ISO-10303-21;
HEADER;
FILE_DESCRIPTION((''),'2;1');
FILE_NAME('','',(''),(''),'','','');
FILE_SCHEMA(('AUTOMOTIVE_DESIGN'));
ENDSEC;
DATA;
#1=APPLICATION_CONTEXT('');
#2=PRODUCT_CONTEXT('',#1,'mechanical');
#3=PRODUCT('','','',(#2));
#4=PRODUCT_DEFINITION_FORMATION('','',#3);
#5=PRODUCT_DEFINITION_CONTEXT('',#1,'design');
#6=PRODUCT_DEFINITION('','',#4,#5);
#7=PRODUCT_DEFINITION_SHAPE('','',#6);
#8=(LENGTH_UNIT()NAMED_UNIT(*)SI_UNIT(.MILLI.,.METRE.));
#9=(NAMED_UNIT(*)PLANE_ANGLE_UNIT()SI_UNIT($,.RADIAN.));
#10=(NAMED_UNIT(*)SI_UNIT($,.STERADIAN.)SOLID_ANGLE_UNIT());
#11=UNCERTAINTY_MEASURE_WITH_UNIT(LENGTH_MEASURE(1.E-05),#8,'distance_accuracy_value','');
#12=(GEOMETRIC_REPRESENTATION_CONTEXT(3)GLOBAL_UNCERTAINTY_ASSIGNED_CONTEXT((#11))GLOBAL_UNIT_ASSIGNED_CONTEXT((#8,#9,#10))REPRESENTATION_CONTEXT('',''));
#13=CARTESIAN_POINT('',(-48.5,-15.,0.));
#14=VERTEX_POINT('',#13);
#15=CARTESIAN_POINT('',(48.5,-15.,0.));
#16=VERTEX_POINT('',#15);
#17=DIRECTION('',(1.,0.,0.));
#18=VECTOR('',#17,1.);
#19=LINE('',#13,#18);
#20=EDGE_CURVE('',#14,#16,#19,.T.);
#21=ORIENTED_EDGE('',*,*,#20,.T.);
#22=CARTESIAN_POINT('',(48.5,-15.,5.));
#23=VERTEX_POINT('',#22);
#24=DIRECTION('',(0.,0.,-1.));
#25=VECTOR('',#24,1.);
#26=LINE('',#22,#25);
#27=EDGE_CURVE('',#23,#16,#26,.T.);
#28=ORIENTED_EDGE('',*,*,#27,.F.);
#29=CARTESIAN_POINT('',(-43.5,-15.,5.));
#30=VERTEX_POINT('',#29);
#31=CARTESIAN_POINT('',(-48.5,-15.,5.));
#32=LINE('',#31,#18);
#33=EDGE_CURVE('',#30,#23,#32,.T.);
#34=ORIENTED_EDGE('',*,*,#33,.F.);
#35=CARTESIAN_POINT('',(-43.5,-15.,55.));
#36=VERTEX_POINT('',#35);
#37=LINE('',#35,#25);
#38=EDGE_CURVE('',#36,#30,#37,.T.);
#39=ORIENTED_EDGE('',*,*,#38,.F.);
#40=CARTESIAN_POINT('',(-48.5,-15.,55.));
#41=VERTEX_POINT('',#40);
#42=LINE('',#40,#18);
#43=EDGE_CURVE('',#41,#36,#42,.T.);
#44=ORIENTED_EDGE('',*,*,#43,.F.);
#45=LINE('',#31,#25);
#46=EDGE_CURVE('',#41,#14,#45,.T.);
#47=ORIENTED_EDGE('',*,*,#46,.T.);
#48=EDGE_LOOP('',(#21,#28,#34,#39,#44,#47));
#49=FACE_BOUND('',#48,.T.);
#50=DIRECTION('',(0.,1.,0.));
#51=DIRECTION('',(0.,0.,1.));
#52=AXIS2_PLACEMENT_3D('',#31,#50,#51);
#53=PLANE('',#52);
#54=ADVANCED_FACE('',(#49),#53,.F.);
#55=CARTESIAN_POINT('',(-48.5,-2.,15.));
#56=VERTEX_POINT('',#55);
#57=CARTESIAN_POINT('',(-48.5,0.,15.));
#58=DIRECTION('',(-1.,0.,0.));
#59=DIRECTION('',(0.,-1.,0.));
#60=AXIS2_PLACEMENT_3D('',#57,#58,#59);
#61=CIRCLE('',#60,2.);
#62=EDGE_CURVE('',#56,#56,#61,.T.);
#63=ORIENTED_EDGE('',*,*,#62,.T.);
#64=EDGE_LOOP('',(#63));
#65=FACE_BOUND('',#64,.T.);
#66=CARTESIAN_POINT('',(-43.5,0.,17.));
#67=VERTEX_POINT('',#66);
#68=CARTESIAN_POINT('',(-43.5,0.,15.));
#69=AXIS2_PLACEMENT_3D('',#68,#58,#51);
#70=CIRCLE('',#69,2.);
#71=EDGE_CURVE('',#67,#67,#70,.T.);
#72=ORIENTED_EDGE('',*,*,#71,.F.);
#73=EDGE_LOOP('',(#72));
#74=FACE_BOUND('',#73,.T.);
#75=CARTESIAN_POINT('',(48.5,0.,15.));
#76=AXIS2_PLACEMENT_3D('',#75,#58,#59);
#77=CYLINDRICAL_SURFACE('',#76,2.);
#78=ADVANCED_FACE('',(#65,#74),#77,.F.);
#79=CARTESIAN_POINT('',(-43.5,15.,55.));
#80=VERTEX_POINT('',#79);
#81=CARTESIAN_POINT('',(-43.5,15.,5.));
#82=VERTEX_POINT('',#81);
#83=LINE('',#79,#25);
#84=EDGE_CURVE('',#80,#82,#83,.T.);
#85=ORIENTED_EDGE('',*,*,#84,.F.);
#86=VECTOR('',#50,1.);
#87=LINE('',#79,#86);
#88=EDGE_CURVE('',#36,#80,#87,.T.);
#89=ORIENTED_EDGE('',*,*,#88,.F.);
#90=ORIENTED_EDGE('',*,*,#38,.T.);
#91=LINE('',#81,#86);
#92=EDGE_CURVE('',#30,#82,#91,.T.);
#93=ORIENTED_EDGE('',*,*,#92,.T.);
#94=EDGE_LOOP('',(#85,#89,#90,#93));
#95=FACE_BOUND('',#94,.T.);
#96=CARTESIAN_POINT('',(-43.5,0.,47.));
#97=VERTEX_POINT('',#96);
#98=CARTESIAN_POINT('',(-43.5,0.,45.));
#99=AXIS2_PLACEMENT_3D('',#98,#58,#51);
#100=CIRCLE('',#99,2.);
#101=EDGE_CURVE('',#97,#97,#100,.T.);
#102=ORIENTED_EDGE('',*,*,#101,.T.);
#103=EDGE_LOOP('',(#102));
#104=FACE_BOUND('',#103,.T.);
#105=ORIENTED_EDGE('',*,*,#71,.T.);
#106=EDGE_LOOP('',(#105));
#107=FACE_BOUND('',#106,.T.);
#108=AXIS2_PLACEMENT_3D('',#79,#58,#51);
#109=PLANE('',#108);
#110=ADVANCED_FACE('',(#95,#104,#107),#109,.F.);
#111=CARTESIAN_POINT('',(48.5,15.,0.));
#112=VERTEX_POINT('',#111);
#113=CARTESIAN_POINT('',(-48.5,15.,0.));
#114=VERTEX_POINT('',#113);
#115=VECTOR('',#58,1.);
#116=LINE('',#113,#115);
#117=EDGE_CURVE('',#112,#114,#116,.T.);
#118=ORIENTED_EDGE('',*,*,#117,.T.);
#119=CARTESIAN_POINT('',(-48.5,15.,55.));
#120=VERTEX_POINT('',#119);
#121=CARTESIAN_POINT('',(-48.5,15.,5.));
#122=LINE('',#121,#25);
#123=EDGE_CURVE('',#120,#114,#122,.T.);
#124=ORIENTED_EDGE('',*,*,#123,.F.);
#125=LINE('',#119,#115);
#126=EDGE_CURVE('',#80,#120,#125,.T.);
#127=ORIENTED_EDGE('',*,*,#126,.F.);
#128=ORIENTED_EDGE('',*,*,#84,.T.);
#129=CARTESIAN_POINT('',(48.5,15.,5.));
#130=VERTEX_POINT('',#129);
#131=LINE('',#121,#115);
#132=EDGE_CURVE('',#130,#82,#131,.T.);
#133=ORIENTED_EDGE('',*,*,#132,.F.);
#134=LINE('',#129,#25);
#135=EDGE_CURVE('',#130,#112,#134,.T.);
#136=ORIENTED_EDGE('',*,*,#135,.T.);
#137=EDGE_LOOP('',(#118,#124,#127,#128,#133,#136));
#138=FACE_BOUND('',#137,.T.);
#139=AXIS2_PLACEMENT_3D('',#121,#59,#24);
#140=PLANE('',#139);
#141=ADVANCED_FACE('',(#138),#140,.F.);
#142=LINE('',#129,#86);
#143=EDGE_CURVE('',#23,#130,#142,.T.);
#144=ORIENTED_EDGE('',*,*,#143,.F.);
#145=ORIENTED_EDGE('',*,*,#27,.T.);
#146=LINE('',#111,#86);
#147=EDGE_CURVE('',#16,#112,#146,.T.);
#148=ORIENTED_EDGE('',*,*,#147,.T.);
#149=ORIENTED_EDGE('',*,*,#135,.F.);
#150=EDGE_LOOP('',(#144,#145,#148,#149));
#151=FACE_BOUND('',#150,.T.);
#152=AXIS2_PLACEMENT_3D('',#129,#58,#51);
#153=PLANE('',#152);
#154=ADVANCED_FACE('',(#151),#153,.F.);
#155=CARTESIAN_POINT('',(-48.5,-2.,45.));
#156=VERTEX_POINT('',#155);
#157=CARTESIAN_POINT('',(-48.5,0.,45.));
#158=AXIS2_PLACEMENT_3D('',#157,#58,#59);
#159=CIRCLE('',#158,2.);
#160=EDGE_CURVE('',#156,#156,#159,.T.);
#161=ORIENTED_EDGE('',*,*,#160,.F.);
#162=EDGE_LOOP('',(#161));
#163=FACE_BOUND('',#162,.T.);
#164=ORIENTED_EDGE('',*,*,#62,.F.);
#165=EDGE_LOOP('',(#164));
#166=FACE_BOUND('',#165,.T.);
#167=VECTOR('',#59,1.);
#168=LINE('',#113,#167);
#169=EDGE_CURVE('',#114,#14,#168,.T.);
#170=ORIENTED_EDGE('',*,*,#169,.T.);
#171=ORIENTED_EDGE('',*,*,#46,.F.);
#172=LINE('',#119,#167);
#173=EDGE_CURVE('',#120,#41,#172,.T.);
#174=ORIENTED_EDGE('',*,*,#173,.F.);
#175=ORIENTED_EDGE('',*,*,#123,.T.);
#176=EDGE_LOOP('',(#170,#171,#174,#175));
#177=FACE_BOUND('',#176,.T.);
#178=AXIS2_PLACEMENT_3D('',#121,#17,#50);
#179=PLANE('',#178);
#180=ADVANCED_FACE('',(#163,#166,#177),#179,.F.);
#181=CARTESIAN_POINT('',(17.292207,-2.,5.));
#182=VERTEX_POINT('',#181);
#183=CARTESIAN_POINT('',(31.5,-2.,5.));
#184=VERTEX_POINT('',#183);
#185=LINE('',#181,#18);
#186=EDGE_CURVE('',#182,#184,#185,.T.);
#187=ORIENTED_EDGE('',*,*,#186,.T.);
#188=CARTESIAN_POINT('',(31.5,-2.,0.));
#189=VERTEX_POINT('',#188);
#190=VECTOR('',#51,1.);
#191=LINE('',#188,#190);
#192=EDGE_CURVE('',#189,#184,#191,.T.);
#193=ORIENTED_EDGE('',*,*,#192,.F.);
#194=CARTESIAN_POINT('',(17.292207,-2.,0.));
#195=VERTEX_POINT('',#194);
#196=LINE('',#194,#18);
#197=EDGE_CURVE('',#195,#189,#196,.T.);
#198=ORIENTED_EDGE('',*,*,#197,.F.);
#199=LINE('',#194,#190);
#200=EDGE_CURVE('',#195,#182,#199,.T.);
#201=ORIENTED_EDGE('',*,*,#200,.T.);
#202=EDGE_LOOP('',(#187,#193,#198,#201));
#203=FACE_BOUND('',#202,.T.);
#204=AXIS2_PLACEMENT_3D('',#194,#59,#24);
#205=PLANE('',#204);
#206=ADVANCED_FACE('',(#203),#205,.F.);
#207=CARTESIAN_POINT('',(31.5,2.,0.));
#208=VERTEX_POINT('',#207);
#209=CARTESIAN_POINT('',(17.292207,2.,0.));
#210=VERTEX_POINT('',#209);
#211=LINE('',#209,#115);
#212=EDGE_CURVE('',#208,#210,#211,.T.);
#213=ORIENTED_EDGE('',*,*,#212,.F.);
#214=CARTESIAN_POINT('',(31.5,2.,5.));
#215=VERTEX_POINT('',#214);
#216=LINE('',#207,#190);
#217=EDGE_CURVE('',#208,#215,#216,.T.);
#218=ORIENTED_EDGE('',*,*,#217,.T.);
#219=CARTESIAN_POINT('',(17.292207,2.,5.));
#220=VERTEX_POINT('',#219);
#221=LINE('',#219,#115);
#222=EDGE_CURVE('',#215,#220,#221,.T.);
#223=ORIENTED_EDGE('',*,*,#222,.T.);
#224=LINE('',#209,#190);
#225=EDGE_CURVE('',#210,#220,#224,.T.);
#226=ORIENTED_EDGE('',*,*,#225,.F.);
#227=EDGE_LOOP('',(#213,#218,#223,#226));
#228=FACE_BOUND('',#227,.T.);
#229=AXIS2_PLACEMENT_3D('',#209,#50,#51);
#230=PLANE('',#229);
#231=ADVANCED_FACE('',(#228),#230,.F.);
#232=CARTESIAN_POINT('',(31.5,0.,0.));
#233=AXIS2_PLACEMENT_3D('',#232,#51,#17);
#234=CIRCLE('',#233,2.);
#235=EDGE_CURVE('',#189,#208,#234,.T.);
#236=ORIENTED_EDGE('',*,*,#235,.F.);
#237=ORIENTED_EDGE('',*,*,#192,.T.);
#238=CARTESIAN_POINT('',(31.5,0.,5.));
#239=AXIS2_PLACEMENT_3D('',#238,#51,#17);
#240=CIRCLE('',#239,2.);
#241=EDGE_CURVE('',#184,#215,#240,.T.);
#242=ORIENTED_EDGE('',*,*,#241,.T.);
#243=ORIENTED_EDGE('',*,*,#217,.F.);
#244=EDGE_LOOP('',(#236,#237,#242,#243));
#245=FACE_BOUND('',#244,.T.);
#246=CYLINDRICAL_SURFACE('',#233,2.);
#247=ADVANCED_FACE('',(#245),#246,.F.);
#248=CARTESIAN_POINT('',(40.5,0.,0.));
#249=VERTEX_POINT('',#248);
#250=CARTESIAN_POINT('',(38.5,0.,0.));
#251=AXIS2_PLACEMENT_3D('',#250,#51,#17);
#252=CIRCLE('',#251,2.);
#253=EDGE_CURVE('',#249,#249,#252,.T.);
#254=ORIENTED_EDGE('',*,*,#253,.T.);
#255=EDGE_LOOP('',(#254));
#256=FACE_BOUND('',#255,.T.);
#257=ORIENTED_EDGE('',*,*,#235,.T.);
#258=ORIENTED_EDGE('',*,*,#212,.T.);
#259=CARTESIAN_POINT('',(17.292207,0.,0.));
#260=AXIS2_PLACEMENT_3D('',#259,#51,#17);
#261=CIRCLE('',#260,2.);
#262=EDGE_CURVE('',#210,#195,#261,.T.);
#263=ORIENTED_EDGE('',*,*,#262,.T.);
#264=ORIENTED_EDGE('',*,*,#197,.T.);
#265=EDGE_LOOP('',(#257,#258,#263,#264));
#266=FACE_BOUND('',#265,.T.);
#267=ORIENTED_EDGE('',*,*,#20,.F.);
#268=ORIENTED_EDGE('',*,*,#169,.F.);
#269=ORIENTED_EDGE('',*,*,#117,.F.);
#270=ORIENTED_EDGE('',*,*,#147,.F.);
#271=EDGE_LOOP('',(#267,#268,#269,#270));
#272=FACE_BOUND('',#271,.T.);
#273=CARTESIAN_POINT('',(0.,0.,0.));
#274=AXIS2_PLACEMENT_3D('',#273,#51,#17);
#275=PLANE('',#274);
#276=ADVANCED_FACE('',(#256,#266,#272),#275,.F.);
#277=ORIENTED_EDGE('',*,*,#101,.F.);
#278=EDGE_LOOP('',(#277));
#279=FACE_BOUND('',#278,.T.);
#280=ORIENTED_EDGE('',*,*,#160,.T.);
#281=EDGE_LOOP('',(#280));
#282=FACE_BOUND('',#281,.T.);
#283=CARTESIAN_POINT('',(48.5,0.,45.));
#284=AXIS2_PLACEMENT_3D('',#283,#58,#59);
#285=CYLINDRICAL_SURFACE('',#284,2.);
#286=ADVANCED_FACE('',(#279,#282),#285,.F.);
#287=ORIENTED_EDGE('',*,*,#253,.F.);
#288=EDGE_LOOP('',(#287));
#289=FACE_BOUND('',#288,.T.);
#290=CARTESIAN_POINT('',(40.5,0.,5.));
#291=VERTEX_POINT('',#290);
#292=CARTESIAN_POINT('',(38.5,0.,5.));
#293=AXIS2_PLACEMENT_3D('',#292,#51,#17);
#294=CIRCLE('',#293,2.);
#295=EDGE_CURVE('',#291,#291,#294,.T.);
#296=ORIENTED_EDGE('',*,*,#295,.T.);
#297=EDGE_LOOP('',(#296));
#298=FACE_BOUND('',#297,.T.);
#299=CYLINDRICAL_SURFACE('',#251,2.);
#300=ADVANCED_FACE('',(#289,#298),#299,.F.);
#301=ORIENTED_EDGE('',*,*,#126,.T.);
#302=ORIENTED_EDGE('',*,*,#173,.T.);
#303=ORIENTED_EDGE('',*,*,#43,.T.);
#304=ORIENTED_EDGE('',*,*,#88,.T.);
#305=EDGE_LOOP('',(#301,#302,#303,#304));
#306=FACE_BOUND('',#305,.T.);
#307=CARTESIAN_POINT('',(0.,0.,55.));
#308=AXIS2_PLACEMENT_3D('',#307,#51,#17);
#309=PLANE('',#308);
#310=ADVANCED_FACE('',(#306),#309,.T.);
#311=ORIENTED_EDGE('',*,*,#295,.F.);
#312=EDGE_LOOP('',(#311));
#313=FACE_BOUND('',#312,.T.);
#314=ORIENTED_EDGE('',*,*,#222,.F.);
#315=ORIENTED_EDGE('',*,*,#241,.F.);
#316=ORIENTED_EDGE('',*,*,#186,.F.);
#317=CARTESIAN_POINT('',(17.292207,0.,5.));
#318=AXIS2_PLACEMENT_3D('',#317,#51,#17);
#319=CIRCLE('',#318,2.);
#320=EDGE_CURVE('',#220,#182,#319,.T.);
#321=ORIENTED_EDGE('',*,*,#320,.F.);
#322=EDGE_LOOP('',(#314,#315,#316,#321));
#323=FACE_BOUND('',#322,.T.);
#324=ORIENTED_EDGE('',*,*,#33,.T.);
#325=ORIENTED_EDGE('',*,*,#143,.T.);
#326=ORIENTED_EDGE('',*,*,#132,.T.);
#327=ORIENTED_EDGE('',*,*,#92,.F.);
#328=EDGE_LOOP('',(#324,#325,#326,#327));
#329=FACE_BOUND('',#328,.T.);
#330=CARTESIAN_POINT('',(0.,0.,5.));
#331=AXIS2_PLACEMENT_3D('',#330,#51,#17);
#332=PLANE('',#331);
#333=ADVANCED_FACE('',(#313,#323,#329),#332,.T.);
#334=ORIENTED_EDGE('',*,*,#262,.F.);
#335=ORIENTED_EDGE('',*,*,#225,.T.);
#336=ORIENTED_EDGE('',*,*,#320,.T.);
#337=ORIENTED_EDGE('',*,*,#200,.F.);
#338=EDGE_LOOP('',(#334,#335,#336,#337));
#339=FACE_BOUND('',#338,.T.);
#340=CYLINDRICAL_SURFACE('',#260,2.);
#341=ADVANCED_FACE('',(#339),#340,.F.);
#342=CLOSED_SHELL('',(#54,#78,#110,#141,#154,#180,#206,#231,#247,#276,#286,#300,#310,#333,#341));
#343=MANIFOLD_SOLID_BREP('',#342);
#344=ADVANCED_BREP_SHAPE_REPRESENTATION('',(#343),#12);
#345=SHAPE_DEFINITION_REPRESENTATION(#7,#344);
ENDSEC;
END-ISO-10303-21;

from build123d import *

# Parameters (mm, degrees)
SKETCH1_W           = 97
SKETCH1_H           = 30
BOSS_EXTRUDE1_DEPTH = 5
SKETCH2_R           = 2
CUT_EXTRUDE1_DEPTH  = 52.01225343
SKETCH3_W           = 5
SKETCH3_H           = 30
BOSS_EXTRUDE2_DEPTH = 50
SKETCH4_R           = 2
CUT_EXTRUDE2_DEPTH  = 113.512221558


with BuildPart() as part:
    # Sketch1 → Boss-Extrude1 (new body)
    with BuildSketch(Plane.XY):
        Rectangle(SKETCH1_W, SKETCH1_H)
    extrude(amount=BOSS_EXTRUDE1_DEPTH)

    # Sketch2 → Cut-Extrude1 (cut, through all)
    with BuildSketch(Plane.XY.offset(5)):
        with Locations((38.5, 0)):
            Circle(SKETCH2_R)
        with BuildLine():
            Line((17.292206758, 2), (31.5, 2))
            ThreePointArc((31.5, 2), (33.5, 0), (31.5, -2))
            Line((31.5, -2), (17.292206758, -2))
            ThreePointArc((17.292206758, -2), (15.292206758, 0), (17.292206758, 2))
        make_face()
    extrude(amount=-CUT_EXTRUDE1_DEPTH, mode=Mode.SUBTRACT)

    # Sketch3 → Boss-Extrude2 (add)
    with BuildSketch(Plane.XY.offset(5)):
        with Locations((-46, 0)):
            Rectangle(SKETCH3_W, SKETCH3_H)
    extrude(amount=BOSS_EXTRUDE2_DEPTH)

    # Sketch4 → Cut-Extrude2 (cut, through all)
    with BuildSketch(Plane.ZY.offset(48.5)):
        with Locations(Location((15, 0, 0), (0, 0, 270))):
            Circle(SKETCH4_R)
        with Locations(Location((45, 0, 0), (0, 0, 270))):
            Circle(SKETCH4_R)
    extrude(amount=-CUT_EXTRUDE2_DEPTH, mode=Mode.SUBTRACT)


solid = part.part
